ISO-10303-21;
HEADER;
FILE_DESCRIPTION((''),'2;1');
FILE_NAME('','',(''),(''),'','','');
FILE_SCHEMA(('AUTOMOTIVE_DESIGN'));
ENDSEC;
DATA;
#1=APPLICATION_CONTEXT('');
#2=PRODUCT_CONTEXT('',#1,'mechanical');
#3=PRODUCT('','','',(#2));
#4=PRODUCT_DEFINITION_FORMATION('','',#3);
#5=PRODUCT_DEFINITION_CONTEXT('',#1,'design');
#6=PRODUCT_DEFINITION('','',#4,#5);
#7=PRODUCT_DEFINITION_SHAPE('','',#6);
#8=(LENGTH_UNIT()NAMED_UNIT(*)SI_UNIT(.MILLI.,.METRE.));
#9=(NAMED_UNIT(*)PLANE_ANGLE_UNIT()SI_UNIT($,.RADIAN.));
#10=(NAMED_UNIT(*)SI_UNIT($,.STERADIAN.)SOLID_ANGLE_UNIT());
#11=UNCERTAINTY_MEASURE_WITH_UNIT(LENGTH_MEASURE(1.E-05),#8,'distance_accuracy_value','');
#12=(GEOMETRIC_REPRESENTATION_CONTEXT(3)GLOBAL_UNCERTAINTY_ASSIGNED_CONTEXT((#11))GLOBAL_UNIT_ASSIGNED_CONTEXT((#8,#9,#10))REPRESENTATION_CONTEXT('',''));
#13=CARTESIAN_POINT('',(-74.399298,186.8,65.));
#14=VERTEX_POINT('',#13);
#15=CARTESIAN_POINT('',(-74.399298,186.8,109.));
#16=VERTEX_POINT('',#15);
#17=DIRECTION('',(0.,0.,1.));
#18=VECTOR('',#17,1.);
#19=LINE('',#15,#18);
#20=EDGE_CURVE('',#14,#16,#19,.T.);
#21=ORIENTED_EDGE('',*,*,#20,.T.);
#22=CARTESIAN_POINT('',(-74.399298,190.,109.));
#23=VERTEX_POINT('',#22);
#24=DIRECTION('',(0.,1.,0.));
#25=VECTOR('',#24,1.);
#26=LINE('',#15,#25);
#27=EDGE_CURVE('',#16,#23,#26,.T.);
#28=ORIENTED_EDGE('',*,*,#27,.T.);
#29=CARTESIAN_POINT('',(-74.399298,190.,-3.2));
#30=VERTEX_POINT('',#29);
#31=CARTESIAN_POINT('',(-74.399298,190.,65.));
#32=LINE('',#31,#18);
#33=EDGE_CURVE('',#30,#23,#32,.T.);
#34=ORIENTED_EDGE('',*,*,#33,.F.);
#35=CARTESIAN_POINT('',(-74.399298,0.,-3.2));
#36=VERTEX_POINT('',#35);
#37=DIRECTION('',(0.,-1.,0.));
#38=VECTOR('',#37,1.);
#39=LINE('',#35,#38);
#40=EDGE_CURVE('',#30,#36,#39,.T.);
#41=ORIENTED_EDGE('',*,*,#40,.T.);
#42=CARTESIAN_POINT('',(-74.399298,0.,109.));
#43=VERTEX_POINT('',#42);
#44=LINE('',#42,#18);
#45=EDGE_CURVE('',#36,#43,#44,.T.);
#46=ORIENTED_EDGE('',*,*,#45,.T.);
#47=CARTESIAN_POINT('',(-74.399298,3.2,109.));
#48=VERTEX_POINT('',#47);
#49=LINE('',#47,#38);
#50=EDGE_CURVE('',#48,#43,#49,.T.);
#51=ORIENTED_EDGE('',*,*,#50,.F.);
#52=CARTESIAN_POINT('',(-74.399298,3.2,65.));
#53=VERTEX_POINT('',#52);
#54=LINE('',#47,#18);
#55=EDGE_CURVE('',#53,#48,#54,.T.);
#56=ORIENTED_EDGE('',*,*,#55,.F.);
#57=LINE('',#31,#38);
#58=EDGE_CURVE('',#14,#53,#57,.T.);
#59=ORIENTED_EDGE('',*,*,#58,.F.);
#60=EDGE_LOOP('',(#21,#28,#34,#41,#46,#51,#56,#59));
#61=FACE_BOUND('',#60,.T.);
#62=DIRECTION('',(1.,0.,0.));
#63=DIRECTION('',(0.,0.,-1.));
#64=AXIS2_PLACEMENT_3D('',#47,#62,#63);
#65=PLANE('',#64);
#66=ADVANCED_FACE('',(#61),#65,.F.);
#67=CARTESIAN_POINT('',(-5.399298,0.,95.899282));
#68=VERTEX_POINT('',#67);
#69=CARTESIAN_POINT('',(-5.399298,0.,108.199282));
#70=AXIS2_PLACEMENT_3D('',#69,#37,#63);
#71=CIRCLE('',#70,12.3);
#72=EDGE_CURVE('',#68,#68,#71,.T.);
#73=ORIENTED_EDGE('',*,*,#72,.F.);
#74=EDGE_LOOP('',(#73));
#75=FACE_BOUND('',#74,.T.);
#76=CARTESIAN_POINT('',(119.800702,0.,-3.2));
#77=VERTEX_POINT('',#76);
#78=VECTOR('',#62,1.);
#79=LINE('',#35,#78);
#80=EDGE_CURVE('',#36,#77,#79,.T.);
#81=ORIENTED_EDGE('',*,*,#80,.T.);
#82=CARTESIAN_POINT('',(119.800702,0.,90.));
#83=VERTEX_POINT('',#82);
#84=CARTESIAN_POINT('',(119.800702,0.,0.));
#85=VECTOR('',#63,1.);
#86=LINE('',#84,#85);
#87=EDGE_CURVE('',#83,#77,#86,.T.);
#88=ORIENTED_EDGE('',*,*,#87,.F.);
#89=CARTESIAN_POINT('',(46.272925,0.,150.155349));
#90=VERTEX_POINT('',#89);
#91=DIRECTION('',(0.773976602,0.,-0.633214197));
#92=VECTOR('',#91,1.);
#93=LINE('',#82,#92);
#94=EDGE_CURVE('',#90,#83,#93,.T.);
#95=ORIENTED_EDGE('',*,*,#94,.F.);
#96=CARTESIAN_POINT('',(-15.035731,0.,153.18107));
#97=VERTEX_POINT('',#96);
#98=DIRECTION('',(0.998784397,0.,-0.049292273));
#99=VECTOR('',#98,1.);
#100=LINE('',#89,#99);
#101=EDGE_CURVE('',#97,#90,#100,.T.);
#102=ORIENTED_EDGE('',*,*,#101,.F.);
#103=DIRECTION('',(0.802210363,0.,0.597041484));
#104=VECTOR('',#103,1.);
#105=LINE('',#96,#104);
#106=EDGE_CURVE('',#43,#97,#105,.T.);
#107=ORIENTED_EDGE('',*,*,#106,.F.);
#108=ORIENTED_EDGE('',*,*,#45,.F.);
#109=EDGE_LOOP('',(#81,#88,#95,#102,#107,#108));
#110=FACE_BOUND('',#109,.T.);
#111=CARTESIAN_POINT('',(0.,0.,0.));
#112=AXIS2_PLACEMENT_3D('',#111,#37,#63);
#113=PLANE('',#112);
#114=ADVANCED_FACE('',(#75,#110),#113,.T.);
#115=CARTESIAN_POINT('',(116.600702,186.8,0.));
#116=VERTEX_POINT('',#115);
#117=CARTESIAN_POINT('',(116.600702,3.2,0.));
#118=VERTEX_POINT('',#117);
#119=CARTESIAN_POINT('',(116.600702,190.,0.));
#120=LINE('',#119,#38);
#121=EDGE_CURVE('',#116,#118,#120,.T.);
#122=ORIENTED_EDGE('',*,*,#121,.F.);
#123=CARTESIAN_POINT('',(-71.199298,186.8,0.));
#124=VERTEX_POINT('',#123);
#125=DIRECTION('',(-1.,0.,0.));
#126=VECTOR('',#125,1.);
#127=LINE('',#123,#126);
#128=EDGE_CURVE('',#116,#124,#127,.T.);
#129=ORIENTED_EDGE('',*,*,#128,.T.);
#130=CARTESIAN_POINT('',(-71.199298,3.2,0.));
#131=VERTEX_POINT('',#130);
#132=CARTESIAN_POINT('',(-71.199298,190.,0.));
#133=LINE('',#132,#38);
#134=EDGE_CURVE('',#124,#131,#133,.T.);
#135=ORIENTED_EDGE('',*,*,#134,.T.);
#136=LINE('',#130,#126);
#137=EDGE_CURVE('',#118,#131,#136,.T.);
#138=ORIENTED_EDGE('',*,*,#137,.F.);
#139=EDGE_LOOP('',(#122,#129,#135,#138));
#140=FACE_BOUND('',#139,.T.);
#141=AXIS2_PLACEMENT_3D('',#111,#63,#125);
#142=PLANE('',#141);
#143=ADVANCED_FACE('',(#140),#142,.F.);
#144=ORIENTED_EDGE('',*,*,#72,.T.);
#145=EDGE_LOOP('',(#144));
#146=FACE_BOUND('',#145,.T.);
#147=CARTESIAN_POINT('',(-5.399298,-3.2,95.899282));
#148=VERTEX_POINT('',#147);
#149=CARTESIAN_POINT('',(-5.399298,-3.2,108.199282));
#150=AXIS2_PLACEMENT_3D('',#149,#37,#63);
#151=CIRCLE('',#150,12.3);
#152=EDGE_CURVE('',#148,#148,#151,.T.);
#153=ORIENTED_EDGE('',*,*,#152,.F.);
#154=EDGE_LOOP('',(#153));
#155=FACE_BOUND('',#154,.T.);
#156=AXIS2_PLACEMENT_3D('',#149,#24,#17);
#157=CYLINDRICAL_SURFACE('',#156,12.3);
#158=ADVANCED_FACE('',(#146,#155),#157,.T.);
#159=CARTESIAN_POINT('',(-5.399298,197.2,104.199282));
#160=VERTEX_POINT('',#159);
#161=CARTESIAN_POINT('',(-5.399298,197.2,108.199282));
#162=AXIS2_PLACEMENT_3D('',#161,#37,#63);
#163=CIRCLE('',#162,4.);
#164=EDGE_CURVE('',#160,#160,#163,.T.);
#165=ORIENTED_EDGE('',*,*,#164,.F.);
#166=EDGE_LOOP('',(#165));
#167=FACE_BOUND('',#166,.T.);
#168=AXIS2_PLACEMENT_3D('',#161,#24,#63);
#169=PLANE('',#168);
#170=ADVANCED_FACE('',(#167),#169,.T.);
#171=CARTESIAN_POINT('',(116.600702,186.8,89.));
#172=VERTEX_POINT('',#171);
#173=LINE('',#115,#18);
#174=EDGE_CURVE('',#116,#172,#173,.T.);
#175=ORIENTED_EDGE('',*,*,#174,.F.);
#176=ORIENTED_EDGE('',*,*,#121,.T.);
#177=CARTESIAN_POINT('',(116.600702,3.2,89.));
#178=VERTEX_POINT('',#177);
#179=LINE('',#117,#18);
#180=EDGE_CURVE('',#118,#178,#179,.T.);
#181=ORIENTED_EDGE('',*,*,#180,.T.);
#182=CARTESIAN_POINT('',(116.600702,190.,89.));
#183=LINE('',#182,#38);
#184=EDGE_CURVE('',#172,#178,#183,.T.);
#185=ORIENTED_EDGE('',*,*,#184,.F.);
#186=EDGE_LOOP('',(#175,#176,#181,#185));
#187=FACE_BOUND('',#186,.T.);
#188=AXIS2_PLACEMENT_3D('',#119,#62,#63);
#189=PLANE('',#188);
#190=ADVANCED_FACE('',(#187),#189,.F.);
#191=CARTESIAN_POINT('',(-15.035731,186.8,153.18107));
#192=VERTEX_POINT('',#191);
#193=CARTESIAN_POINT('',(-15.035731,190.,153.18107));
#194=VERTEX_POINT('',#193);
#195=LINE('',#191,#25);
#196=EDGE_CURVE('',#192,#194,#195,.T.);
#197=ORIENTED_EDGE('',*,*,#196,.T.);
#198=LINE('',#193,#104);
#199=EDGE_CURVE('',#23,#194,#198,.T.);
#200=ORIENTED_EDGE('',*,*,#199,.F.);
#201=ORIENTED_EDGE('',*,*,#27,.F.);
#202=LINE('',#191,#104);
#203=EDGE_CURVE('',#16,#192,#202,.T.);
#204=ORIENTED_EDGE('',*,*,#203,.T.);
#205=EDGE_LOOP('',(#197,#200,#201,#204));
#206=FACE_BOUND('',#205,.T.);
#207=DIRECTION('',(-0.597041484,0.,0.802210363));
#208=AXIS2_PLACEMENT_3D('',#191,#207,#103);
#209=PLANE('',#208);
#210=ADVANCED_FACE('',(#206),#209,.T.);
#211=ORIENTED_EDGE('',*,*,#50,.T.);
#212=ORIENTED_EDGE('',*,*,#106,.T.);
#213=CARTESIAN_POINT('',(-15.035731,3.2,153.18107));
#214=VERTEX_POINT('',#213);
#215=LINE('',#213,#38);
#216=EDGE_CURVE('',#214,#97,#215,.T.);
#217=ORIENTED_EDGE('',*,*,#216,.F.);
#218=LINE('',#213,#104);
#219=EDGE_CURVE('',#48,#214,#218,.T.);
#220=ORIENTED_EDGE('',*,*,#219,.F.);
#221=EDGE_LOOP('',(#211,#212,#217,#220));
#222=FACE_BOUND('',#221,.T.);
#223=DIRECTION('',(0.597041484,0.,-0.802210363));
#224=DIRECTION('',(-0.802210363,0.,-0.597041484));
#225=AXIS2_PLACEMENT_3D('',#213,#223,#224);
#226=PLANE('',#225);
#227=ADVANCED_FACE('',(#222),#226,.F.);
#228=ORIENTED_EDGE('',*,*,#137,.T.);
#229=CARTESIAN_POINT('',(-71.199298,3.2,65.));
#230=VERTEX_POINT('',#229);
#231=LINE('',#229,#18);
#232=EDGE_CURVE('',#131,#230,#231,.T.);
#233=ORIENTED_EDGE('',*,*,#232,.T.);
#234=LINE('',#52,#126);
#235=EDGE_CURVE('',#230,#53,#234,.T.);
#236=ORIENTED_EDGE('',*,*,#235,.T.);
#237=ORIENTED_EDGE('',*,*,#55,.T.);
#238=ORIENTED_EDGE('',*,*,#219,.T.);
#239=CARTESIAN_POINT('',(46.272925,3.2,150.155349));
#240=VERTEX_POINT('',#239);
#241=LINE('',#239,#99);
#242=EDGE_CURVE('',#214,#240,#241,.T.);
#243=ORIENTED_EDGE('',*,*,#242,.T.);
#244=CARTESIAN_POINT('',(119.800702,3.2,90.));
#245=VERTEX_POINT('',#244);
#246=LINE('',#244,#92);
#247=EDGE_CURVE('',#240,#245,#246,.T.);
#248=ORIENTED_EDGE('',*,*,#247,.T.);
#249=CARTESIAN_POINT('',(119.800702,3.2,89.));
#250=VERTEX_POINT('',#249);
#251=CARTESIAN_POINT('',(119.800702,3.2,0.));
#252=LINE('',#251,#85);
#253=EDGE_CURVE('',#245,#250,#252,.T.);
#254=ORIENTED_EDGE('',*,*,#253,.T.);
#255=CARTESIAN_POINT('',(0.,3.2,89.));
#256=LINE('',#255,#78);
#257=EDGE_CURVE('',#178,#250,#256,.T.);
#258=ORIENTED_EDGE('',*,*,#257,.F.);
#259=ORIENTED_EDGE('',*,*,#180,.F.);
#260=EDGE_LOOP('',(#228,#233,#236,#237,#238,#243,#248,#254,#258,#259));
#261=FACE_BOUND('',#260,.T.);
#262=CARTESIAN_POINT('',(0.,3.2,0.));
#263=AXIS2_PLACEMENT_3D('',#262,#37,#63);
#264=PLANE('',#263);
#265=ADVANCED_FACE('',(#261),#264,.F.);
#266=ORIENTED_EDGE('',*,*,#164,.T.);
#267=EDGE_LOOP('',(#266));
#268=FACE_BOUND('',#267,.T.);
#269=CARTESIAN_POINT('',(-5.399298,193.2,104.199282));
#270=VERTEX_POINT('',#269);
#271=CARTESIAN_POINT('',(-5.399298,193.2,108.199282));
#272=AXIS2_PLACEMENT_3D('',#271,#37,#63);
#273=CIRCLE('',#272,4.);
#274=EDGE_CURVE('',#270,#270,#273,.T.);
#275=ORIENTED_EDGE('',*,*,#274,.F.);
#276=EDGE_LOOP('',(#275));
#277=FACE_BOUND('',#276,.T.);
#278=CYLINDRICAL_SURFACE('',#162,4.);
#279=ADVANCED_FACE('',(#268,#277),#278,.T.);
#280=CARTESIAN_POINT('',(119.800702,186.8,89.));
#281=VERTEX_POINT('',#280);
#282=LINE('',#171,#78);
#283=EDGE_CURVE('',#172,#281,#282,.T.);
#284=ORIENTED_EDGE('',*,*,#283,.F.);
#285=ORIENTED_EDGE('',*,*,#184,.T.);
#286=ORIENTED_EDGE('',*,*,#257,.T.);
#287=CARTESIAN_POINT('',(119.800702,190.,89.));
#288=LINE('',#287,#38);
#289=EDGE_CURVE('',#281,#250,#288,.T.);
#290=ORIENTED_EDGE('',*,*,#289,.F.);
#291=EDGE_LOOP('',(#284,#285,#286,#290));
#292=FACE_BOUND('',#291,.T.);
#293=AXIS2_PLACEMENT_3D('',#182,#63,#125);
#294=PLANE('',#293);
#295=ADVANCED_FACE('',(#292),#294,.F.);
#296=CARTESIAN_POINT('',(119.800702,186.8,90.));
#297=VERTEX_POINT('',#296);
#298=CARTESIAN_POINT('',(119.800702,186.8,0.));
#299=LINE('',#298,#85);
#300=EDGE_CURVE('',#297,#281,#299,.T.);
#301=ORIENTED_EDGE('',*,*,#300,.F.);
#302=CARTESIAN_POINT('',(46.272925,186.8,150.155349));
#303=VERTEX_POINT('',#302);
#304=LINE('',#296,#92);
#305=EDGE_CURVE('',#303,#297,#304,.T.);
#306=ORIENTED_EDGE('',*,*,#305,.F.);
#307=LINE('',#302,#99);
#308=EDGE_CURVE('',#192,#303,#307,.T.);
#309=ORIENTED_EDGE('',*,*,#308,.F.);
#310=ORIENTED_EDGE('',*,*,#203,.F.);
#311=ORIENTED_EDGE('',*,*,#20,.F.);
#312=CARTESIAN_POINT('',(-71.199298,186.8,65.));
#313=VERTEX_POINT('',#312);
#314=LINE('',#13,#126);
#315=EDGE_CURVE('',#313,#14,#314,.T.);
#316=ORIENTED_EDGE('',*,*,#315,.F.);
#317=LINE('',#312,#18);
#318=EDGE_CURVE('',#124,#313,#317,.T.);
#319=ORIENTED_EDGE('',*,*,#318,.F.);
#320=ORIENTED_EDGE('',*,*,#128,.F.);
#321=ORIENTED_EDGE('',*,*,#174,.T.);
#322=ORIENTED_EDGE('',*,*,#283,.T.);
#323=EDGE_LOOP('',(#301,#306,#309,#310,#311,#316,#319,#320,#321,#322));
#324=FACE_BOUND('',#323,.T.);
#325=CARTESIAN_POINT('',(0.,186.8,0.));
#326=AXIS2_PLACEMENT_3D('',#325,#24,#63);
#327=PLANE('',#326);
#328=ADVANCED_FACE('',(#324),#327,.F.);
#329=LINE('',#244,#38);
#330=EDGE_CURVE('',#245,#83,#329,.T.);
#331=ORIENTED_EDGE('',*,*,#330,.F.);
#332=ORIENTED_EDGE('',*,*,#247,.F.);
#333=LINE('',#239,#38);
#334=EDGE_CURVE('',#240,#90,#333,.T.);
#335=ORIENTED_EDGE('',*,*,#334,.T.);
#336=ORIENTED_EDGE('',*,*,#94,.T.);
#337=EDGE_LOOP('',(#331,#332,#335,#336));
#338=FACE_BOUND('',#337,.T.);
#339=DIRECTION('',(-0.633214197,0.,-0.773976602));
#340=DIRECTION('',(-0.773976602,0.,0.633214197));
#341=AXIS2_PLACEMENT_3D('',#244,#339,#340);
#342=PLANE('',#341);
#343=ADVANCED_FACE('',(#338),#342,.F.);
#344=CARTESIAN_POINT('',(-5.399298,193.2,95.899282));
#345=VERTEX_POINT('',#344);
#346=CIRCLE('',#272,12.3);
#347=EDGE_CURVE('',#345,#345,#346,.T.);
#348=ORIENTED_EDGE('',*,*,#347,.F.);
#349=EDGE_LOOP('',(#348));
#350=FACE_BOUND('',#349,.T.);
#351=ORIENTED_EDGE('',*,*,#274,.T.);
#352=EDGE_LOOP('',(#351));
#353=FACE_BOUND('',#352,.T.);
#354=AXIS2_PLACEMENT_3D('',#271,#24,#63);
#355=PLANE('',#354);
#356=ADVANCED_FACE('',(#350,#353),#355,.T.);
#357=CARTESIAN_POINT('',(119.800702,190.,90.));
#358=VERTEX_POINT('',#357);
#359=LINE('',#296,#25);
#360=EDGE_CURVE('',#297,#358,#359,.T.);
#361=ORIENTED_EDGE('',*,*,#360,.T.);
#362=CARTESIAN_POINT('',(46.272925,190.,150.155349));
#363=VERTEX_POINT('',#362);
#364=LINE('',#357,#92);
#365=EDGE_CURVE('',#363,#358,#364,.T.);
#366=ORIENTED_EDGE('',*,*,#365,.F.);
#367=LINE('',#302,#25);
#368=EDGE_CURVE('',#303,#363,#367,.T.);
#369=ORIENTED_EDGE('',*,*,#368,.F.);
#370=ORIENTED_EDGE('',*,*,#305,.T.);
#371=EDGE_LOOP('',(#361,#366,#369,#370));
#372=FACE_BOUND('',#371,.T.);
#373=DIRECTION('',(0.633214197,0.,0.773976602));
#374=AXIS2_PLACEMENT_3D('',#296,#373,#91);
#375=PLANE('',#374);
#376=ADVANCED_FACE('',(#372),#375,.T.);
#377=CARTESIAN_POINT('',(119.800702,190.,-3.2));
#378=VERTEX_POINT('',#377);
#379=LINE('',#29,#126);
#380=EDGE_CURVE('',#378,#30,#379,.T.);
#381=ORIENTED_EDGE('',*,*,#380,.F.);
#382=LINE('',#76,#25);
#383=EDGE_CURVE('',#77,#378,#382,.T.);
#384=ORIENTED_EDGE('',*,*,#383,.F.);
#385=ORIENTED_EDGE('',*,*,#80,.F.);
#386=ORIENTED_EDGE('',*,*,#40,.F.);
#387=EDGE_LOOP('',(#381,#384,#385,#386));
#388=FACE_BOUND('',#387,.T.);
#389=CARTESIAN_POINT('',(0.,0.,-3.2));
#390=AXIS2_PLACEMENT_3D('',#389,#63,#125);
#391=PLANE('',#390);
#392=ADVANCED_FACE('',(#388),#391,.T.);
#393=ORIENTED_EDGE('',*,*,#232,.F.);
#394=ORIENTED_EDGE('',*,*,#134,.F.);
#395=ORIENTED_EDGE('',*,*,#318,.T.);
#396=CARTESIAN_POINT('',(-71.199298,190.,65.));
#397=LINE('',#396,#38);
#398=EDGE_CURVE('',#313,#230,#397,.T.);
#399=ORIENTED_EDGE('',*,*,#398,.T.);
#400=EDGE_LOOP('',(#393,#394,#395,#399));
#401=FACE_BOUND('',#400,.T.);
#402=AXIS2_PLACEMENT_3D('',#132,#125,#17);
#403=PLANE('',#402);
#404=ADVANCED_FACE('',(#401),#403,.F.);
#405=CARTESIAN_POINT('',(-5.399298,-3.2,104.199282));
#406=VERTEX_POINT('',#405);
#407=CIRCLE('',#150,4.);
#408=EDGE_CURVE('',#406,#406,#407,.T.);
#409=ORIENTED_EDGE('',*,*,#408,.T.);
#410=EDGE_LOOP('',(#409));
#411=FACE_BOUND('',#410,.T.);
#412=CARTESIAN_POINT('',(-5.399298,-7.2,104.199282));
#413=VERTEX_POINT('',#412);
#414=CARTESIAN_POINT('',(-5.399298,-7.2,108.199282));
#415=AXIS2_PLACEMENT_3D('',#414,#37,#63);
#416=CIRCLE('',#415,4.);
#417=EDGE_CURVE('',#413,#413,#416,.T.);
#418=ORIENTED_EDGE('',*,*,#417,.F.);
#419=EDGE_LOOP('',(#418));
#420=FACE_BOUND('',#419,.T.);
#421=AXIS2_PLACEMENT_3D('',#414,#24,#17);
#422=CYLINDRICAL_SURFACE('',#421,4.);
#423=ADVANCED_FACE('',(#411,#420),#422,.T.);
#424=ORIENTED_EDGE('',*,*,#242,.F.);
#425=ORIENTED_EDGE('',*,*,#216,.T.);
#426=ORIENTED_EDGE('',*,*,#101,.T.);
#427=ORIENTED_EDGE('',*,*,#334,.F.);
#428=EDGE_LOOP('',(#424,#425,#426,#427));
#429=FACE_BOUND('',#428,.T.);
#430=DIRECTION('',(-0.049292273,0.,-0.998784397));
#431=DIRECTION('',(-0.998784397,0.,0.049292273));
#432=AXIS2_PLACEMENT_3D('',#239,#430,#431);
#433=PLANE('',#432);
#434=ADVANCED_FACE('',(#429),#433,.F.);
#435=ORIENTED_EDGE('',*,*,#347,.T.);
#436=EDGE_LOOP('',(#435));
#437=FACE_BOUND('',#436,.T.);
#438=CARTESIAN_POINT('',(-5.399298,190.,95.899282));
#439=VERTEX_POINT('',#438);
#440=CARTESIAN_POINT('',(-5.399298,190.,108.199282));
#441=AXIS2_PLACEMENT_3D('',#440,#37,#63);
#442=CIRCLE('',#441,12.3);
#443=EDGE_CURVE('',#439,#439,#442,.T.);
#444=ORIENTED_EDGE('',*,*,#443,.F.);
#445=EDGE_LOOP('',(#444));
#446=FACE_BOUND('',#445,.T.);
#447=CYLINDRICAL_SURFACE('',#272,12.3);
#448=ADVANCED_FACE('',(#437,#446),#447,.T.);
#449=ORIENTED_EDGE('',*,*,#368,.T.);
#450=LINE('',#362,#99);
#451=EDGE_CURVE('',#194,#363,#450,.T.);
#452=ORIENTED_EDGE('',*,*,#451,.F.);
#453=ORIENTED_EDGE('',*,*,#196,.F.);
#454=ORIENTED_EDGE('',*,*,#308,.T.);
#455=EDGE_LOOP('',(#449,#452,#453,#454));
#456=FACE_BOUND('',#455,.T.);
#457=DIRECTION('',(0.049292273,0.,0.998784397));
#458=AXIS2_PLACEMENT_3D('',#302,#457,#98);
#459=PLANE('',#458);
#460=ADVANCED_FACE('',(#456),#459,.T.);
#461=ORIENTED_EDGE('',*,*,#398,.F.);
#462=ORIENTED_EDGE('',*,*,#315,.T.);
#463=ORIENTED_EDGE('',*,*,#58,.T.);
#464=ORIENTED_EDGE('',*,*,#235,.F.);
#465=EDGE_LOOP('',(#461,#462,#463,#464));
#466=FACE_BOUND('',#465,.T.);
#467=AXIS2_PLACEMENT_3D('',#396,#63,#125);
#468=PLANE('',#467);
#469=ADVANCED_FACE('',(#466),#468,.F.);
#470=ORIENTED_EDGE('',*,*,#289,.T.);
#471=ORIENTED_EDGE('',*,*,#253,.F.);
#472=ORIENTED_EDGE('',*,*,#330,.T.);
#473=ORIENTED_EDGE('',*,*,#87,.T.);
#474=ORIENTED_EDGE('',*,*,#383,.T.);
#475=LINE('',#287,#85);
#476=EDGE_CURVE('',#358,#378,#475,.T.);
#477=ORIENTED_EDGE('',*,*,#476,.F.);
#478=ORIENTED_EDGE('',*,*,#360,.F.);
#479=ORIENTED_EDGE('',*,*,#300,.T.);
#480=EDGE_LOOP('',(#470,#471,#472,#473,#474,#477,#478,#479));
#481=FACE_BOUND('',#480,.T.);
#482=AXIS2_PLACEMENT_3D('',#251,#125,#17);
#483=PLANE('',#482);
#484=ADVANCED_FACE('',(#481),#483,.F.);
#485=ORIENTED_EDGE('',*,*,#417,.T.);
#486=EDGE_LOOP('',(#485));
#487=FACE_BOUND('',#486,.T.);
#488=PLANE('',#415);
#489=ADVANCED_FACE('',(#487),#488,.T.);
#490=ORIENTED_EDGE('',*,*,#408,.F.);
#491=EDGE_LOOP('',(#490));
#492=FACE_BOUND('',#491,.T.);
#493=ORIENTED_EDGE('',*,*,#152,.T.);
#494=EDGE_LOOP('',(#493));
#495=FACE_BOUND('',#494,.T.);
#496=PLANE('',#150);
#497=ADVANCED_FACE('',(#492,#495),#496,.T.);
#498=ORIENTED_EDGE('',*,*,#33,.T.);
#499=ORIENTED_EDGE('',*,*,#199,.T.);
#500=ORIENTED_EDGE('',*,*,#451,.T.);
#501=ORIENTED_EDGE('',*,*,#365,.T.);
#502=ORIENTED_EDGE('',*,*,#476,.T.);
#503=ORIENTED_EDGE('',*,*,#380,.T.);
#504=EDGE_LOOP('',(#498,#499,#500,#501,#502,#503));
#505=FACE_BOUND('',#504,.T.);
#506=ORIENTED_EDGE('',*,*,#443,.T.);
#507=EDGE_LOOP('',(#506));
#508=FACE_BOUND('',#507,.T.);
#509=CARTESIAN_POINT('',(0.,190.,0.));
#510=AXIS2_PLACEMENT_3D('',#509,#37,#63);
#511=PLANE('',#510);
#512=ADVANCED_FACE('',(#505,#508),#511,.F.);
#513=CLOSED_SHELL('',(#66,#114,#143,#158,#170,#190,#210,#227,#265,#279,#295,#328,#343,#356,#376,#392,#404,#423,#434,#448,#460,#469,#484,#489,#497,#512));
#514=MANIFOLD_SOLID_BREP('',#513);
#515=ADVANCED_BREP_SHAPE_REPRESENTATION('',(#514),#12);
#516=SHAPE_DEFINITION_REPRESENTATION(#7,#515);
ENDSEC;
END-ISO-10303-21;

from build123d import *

# Parameters (mm, degrees)
BOSS_EXTRUDE1_DEPTH = 3.2
SKETCH3_R           = 12.3
BOSS_EXTRUDE2_DEPTH = 3.2
SKETCH4_R           = 4
BOSS_EXTRUDE3_DEPTH = 4
SKETCH6_W           = 3.2
SKETCH6_H           = 65
BOSS_EXTRUDE4_DEPTH = 190
SKETCH8_W           = 3.2
SKETCH8_H           = 89
BOSS_EXTRUDE5_DEPTH = 190
SKETCH9_W           = 194.2
SKETCH9_H           = 190
BOSS_EXTRUDE7_DEPTH = 3.2


with BuildPart() as part:
    # Sketch1 → Boss-Extrude1 (new body)
    with BuildSketch(Plane(origin=(0, 0, 0), x_dir=(1, 0, 0), z_dir=(0, 1, 0))):
        Polygon((-71.199297972, 0), (119.800702028, 0), (119.800702028, -90), (46.272924854, -150.155348756), (-15.035731115, -153.181069815), (-74.399297972, -109), (-74.399297972, -65), (-71.199297972, -65), align=None)
    boss_extrude1 = extrude(amount=BOSS_EXTRUDE1_DEPTH)

    # Sketch3 → Boss-Extrude2 (add)
    with BuildSketch(Plane.XZ):
        with Locations(Location((-5.399297972, 108.199281837, 0), (0, 0, 270))):
            Circle(SKETCH3_R)
    boss_extrude2 = extrude(amount=BOSS_EXTRUDE2_DEPTH)

    # Sketch4 → Boss-Extrude3 (add)
    with BuildSketch(Plane.XZ.offset(3.2)):
        with Locations(Location((-5.399297972, 108.199281837, 0), (0, 0, 270))):
            Circle(SKETCH4_R)
    boss_extrude3 = extrude(amount=BOSS_EXTRUDE3_DEPTH)

    # Sketch6 → Boss-Extrude4 (add)
    with BuildSketch(Plane(origin=(0, 0, 0), x_dir=(1, 0, 0), z_dir=(0, 1, 0))):
        with Locations((-72.799297972, -32.5)):
            Rectangle(SKETCH6_W, SKETCH6_H)
    extrude(amount=BOSS_EXTRUDE4_DEPTH)

    # Sketch8 → Boss-Extrude5 (add)
    with BuildSketch(Plane(origin=(0, 0, 0), x_dir=(1, 0, 0), z_dir=(0, 1, 0))):
        with Locations((118.200702028, -44.5)):
            Rectangle(SKETCH8_W, SKETCH8_H)
    extrude(amount=BOSS_EXTRUDE5_DEPTH)

    # Mirror1: Boss-Extrude1, Boss-Extrude2, Boss-Extrude3 across plane
    add(boss_extrude1.mirror(Plane(origin=(0, 95, 0), x_dir=(0, 0, 1), z_dir=(0, -1, 0))))
    add(boss_extrude2.mirror(Plane(origin=(0, 95, 0), x_dir=(0, 0, 1), z_dir=(0, -1, 0))))
    add(boss_extrude3.mirror(Plane(origin=(0, 95, 0), x_dir=(0, 0, 1), z_dir=(0, -1, 0))))

    # Sketch9 → Boss-Extrude7 (add)
    with BuildSketch(Plane.XY):
        with Locations((22.700702028, 95)):
            Rectangle(SKETCH9_W, SKETCH9_H)
    extrude(amount=-BOSS_EXTRUDE7_DEPTH)


solid = part.part
